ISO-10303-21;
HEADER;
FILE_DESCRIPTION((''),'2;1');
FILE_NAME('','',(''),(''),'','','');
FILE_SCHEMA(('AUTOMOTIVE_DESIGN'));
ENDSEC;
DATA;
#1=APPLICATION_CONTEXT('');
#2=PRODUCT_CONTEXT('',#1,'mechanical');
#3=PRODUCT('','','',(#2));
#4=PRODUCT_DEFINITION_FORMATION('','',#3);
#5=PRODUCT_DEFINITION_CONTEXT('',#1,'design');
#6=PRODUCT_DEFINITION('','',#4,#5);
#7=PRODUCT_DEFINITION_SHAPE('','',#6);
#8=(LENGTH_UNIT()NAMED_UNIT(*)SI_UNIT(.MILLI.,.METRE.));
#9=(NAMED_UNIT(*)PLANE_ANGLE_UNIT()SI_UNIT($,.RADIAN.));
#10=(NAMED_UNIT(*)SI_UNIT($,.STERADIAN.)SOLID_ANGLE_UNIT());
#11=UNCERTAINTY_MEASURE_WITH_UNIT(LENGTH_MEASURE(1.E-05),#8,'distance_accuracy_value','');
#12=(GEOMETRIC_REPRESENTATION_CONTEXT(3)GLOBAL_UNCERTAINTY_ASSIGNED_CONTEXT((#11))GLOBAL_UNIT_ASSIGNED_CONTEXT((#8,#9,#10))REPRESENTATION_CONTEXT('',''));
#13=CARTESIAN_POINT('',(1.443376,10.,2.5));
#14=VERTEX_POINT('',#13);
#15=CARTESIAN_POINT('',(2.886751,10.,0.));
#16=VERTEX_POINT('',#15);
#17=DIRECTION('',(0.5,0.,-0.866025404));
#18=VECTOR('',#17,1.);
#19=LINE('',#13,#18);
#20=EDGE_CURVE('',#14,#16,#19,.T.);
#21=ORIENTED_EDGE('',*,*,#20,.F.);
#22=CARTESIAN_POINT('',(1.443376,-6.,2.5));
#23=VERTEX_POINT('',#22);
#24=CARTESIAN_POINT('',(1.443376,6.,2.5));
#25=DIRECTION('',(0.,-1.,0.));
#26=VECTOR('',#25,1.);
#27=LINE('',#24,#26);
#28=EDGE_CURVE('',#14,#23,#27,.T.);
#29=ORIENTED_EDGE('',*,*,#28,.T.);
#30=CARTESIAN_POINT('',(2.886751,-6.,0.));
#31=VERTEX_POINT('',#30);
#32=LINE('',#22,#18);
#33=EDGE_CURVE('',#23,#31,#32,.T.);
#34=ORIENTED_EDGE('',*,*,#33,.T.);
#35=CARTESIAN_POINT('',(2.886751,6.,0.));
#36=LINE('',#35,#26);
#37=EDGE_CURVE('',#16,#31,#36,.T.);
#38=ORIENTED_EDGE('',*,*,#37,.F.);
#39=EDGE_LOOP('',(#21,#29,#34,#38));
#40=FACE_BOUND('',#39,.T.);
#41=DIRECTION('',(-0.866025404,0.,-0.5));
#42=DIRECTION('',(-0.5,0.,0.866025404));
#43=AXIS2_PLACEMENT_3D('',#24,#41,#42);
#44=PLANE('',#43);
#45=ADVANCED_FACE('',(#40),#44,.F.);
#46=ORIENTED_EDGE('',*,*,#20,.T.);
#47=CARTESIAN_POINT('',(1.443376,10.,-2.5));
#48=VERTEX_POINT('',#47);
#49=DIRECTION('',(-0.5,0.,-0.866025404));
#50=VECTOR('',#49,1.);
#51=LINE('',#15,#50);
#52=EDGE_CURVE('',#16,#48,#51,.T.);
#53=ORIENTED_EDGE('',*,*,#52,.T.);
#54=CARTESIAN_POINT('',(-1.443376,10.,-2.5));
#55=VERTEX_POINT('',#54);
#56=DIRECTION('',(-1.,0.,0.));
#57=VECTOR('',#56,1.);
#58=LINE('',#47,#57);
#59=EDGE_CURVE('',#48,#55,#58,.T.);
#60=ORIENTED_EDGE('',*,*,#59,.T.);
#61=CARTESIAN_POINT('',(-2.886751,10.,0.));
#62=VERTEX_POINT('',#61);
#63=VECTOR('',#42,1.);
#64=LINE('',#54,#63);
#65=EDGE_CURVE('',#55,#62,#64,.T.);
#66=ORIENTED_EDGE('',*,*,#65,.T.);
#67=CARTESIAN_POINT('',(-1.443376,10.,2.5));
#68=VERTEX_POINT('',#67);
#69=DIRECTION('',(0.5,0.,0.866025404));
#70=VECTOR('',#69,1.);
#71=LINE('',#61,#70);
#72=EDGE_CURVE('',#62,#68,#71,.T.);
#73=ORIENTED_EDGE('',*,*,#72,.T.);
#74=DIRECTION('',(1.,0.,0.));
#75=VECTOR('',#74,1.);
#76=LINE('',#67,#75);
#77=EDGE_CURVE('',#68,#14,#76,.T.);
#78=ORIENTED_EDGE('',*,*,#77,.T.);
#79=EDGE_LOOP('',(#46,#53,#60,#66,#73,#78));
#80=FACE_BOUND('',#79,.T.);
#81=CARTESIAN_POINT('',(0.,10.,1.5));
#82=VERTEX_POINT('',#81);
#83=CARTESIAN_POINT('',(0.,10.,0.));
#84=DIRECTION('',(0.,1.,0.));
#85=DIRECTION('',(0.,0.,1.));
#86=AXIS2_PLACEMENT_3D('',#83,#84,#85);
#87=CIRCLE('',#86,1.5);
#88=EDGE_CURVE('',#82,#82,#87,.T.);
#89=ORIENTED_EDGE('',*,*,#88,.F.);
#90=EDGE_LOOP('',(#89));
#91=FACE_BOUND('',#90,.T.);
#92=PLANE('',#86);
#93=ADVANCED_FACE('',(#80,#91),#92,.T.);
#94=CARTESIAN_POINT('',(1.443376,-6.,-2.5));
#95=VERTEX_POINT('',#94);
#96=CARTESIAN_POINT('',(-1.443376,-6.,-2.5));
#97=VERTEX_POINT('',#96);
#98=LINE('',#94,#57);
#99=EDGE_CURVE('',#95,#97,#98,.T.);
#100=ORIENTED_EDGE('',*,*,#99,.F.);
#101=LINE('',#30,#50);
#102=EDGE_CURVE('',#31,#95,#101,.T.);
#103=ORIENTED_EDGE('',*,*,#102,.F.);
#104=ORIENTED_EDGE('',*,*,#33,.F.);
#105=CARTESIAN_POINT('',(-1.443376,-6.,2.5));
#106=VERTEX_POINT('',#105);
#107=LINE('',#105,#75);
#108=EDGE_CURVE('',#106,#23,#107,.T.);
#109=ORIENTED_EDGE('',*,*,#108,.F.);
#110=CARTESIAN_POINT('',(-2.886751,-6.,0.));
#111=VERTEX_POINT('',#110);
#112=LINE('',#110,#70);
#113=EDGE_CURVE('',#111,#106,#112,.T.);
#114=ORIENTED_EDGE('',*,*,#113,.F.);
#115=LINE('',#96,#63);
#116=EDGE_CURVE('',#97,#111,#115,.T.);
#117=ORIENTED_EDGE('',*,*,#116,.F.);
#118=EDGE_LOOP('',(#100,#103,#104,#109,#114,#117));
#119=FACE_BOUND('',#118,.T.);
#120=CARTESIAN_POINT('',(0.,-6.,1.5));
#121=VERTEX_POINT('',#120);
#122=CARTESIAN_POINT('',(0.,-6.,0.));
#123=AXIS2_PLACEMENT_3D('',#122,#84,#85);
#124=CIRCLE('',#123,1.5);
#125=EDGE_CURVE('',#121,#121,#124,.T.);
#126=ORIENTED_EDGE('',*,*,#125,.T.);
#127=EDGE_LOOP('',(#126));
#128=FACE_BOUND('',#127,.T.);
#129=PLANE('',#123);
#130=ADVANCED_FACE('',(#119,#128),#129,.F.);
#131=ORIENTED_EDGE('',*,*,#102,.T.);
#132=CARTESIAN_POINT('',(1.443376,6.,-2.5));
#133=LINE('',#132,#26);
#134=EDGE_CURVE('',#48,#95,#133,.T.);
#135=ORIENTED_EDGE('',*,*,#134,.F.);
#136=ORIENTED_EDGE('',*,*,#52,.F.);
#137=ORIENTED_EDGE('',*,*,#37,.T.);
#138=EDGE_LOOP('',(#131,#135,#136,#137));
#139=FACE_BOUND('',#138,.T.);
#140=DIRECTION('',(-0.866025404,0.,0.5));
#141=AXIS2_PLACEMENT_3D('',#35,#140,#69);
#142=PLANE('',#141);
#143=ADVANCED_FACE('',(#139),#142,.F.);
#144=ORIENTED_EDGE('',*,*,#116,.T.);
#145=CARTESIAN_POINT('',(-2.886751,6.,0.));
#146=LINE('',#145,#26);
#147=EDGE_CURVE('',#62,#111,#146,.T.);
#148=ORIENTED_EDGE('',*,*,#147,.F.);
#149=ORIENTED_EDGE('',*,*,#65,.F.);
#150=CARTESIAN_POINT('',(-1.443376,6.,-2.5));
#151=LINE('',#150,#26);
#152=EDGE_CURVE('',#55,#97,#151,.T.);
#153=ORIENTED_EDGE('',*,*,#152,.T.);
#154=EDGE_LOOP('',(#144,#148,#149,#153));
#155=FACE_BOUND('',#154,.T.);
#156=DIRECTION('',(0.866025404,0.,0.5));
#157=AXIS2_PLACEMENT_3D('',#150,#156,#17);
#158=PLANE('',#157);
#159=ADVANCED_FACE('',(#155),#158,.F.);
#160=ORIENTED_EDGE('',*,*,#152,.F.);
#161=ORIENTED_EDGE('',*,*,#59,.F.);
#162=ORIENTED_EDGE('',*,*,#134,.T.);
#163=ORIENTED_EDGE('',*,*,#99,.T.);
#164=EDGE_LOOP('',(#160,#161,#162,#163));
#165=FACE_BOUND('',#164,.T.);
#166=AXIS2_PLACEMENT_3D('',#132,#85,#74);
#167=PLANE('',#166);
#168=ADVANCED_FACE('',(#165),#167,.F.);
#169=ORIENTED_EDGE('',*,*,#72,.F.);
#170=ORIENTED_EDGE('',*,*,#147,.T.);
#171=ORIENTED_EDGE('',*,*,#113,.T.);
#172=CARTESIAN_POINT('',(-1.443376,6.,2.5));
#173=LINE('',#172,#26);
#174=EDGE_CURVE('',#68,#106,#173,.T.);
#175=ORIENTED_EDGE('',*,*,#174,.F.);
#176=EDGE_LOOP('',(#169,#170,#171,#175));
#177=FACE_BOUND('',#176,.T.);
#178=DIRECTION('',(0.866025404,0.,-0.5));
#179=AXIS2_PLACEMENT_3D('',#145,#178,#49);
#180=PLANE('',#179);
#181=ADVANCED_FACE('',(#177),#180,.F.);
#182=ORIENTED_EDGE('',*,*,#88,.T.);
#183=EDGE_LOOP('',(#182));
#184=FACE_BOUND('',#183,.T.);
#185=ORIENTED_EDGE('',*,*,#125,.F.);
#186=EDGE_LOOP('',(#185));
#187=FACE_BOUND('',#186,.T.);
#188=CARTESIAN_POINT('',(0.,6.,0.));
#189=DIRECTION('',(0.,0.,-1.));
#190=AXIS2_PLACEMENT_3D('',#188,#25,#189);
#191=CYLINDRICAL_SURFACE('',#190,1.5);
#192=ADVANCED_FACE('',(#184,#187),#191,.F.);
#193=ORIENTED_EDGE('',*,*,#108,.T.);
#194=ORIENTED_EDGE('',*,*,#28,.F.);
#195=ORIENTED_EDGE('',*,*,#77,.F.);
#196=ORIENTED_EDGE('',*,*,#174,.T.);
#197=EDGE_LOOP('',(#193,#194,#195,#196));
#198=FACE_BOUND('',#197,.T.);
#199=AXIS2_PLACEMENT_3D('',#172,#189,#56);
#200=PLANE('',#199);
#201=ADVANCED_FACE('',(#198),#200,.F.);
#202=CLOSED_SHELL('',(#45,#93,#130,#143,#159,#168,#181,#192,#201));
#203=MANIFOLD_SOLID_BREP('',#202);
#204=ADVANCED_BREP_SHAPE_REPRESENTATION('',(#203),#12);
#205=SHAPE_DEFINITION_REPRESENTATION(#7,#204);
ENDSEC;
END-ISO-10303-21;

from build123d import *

# Parameters (mm, degrees)
CROQUIS1_R              = 1.5
SALIENTE_EXTRUIR1_DEPTH = 6
SKETCH_1_R              = 1.5
EXTRUDE_1_DEPTH         = 4


with BuildPart() as part:
    # Croquis1 → Saliente-Extruir1 (new, symmetric)
    with BuildSketch(Plane(origin=(0, 0, 0), x_dir=(1, 0, 0), z_dir=(0, 1, 0))):
        Polygon((1.443375673, -2.5), (2.886751346, 0), (1.443375673, 2.5), (-1.443375673, 2.5), (-2.886751346, 0), (-1.443375673, -2.5), align=None)
        with Locations(Location((0, 0, 0), (0, 0, 270))):
            Circle(CROQUIS1_R, mode=Mode.SUBTRACT)
    extrude(amount=SALIENTE_EXTRUIR1_DEPTH, both=True)

    # 草图1 → 凸台-拉伸1 (add)
    with BuildSketch(Plane(origin=(0, 6, 0), x_dir=(1, 0, 0), z_dir=(0, 1, 0))):
        Polygon((-1.443375673, -2.5), (1.443375673, -2.5), (2.886751346, 0), (1.443375673, 2.5), (-1.443375673, 2.5), (-2.886751346, 0), align=None)
        with Locations(Location((0, 0, 0), (0, 0, 270))):
            Circle(SKETCH_1_R, mode=Mode.SUBTRACT)
    extrude(amount=EXTRUDE_1_DEPTH)


solid = part.part
